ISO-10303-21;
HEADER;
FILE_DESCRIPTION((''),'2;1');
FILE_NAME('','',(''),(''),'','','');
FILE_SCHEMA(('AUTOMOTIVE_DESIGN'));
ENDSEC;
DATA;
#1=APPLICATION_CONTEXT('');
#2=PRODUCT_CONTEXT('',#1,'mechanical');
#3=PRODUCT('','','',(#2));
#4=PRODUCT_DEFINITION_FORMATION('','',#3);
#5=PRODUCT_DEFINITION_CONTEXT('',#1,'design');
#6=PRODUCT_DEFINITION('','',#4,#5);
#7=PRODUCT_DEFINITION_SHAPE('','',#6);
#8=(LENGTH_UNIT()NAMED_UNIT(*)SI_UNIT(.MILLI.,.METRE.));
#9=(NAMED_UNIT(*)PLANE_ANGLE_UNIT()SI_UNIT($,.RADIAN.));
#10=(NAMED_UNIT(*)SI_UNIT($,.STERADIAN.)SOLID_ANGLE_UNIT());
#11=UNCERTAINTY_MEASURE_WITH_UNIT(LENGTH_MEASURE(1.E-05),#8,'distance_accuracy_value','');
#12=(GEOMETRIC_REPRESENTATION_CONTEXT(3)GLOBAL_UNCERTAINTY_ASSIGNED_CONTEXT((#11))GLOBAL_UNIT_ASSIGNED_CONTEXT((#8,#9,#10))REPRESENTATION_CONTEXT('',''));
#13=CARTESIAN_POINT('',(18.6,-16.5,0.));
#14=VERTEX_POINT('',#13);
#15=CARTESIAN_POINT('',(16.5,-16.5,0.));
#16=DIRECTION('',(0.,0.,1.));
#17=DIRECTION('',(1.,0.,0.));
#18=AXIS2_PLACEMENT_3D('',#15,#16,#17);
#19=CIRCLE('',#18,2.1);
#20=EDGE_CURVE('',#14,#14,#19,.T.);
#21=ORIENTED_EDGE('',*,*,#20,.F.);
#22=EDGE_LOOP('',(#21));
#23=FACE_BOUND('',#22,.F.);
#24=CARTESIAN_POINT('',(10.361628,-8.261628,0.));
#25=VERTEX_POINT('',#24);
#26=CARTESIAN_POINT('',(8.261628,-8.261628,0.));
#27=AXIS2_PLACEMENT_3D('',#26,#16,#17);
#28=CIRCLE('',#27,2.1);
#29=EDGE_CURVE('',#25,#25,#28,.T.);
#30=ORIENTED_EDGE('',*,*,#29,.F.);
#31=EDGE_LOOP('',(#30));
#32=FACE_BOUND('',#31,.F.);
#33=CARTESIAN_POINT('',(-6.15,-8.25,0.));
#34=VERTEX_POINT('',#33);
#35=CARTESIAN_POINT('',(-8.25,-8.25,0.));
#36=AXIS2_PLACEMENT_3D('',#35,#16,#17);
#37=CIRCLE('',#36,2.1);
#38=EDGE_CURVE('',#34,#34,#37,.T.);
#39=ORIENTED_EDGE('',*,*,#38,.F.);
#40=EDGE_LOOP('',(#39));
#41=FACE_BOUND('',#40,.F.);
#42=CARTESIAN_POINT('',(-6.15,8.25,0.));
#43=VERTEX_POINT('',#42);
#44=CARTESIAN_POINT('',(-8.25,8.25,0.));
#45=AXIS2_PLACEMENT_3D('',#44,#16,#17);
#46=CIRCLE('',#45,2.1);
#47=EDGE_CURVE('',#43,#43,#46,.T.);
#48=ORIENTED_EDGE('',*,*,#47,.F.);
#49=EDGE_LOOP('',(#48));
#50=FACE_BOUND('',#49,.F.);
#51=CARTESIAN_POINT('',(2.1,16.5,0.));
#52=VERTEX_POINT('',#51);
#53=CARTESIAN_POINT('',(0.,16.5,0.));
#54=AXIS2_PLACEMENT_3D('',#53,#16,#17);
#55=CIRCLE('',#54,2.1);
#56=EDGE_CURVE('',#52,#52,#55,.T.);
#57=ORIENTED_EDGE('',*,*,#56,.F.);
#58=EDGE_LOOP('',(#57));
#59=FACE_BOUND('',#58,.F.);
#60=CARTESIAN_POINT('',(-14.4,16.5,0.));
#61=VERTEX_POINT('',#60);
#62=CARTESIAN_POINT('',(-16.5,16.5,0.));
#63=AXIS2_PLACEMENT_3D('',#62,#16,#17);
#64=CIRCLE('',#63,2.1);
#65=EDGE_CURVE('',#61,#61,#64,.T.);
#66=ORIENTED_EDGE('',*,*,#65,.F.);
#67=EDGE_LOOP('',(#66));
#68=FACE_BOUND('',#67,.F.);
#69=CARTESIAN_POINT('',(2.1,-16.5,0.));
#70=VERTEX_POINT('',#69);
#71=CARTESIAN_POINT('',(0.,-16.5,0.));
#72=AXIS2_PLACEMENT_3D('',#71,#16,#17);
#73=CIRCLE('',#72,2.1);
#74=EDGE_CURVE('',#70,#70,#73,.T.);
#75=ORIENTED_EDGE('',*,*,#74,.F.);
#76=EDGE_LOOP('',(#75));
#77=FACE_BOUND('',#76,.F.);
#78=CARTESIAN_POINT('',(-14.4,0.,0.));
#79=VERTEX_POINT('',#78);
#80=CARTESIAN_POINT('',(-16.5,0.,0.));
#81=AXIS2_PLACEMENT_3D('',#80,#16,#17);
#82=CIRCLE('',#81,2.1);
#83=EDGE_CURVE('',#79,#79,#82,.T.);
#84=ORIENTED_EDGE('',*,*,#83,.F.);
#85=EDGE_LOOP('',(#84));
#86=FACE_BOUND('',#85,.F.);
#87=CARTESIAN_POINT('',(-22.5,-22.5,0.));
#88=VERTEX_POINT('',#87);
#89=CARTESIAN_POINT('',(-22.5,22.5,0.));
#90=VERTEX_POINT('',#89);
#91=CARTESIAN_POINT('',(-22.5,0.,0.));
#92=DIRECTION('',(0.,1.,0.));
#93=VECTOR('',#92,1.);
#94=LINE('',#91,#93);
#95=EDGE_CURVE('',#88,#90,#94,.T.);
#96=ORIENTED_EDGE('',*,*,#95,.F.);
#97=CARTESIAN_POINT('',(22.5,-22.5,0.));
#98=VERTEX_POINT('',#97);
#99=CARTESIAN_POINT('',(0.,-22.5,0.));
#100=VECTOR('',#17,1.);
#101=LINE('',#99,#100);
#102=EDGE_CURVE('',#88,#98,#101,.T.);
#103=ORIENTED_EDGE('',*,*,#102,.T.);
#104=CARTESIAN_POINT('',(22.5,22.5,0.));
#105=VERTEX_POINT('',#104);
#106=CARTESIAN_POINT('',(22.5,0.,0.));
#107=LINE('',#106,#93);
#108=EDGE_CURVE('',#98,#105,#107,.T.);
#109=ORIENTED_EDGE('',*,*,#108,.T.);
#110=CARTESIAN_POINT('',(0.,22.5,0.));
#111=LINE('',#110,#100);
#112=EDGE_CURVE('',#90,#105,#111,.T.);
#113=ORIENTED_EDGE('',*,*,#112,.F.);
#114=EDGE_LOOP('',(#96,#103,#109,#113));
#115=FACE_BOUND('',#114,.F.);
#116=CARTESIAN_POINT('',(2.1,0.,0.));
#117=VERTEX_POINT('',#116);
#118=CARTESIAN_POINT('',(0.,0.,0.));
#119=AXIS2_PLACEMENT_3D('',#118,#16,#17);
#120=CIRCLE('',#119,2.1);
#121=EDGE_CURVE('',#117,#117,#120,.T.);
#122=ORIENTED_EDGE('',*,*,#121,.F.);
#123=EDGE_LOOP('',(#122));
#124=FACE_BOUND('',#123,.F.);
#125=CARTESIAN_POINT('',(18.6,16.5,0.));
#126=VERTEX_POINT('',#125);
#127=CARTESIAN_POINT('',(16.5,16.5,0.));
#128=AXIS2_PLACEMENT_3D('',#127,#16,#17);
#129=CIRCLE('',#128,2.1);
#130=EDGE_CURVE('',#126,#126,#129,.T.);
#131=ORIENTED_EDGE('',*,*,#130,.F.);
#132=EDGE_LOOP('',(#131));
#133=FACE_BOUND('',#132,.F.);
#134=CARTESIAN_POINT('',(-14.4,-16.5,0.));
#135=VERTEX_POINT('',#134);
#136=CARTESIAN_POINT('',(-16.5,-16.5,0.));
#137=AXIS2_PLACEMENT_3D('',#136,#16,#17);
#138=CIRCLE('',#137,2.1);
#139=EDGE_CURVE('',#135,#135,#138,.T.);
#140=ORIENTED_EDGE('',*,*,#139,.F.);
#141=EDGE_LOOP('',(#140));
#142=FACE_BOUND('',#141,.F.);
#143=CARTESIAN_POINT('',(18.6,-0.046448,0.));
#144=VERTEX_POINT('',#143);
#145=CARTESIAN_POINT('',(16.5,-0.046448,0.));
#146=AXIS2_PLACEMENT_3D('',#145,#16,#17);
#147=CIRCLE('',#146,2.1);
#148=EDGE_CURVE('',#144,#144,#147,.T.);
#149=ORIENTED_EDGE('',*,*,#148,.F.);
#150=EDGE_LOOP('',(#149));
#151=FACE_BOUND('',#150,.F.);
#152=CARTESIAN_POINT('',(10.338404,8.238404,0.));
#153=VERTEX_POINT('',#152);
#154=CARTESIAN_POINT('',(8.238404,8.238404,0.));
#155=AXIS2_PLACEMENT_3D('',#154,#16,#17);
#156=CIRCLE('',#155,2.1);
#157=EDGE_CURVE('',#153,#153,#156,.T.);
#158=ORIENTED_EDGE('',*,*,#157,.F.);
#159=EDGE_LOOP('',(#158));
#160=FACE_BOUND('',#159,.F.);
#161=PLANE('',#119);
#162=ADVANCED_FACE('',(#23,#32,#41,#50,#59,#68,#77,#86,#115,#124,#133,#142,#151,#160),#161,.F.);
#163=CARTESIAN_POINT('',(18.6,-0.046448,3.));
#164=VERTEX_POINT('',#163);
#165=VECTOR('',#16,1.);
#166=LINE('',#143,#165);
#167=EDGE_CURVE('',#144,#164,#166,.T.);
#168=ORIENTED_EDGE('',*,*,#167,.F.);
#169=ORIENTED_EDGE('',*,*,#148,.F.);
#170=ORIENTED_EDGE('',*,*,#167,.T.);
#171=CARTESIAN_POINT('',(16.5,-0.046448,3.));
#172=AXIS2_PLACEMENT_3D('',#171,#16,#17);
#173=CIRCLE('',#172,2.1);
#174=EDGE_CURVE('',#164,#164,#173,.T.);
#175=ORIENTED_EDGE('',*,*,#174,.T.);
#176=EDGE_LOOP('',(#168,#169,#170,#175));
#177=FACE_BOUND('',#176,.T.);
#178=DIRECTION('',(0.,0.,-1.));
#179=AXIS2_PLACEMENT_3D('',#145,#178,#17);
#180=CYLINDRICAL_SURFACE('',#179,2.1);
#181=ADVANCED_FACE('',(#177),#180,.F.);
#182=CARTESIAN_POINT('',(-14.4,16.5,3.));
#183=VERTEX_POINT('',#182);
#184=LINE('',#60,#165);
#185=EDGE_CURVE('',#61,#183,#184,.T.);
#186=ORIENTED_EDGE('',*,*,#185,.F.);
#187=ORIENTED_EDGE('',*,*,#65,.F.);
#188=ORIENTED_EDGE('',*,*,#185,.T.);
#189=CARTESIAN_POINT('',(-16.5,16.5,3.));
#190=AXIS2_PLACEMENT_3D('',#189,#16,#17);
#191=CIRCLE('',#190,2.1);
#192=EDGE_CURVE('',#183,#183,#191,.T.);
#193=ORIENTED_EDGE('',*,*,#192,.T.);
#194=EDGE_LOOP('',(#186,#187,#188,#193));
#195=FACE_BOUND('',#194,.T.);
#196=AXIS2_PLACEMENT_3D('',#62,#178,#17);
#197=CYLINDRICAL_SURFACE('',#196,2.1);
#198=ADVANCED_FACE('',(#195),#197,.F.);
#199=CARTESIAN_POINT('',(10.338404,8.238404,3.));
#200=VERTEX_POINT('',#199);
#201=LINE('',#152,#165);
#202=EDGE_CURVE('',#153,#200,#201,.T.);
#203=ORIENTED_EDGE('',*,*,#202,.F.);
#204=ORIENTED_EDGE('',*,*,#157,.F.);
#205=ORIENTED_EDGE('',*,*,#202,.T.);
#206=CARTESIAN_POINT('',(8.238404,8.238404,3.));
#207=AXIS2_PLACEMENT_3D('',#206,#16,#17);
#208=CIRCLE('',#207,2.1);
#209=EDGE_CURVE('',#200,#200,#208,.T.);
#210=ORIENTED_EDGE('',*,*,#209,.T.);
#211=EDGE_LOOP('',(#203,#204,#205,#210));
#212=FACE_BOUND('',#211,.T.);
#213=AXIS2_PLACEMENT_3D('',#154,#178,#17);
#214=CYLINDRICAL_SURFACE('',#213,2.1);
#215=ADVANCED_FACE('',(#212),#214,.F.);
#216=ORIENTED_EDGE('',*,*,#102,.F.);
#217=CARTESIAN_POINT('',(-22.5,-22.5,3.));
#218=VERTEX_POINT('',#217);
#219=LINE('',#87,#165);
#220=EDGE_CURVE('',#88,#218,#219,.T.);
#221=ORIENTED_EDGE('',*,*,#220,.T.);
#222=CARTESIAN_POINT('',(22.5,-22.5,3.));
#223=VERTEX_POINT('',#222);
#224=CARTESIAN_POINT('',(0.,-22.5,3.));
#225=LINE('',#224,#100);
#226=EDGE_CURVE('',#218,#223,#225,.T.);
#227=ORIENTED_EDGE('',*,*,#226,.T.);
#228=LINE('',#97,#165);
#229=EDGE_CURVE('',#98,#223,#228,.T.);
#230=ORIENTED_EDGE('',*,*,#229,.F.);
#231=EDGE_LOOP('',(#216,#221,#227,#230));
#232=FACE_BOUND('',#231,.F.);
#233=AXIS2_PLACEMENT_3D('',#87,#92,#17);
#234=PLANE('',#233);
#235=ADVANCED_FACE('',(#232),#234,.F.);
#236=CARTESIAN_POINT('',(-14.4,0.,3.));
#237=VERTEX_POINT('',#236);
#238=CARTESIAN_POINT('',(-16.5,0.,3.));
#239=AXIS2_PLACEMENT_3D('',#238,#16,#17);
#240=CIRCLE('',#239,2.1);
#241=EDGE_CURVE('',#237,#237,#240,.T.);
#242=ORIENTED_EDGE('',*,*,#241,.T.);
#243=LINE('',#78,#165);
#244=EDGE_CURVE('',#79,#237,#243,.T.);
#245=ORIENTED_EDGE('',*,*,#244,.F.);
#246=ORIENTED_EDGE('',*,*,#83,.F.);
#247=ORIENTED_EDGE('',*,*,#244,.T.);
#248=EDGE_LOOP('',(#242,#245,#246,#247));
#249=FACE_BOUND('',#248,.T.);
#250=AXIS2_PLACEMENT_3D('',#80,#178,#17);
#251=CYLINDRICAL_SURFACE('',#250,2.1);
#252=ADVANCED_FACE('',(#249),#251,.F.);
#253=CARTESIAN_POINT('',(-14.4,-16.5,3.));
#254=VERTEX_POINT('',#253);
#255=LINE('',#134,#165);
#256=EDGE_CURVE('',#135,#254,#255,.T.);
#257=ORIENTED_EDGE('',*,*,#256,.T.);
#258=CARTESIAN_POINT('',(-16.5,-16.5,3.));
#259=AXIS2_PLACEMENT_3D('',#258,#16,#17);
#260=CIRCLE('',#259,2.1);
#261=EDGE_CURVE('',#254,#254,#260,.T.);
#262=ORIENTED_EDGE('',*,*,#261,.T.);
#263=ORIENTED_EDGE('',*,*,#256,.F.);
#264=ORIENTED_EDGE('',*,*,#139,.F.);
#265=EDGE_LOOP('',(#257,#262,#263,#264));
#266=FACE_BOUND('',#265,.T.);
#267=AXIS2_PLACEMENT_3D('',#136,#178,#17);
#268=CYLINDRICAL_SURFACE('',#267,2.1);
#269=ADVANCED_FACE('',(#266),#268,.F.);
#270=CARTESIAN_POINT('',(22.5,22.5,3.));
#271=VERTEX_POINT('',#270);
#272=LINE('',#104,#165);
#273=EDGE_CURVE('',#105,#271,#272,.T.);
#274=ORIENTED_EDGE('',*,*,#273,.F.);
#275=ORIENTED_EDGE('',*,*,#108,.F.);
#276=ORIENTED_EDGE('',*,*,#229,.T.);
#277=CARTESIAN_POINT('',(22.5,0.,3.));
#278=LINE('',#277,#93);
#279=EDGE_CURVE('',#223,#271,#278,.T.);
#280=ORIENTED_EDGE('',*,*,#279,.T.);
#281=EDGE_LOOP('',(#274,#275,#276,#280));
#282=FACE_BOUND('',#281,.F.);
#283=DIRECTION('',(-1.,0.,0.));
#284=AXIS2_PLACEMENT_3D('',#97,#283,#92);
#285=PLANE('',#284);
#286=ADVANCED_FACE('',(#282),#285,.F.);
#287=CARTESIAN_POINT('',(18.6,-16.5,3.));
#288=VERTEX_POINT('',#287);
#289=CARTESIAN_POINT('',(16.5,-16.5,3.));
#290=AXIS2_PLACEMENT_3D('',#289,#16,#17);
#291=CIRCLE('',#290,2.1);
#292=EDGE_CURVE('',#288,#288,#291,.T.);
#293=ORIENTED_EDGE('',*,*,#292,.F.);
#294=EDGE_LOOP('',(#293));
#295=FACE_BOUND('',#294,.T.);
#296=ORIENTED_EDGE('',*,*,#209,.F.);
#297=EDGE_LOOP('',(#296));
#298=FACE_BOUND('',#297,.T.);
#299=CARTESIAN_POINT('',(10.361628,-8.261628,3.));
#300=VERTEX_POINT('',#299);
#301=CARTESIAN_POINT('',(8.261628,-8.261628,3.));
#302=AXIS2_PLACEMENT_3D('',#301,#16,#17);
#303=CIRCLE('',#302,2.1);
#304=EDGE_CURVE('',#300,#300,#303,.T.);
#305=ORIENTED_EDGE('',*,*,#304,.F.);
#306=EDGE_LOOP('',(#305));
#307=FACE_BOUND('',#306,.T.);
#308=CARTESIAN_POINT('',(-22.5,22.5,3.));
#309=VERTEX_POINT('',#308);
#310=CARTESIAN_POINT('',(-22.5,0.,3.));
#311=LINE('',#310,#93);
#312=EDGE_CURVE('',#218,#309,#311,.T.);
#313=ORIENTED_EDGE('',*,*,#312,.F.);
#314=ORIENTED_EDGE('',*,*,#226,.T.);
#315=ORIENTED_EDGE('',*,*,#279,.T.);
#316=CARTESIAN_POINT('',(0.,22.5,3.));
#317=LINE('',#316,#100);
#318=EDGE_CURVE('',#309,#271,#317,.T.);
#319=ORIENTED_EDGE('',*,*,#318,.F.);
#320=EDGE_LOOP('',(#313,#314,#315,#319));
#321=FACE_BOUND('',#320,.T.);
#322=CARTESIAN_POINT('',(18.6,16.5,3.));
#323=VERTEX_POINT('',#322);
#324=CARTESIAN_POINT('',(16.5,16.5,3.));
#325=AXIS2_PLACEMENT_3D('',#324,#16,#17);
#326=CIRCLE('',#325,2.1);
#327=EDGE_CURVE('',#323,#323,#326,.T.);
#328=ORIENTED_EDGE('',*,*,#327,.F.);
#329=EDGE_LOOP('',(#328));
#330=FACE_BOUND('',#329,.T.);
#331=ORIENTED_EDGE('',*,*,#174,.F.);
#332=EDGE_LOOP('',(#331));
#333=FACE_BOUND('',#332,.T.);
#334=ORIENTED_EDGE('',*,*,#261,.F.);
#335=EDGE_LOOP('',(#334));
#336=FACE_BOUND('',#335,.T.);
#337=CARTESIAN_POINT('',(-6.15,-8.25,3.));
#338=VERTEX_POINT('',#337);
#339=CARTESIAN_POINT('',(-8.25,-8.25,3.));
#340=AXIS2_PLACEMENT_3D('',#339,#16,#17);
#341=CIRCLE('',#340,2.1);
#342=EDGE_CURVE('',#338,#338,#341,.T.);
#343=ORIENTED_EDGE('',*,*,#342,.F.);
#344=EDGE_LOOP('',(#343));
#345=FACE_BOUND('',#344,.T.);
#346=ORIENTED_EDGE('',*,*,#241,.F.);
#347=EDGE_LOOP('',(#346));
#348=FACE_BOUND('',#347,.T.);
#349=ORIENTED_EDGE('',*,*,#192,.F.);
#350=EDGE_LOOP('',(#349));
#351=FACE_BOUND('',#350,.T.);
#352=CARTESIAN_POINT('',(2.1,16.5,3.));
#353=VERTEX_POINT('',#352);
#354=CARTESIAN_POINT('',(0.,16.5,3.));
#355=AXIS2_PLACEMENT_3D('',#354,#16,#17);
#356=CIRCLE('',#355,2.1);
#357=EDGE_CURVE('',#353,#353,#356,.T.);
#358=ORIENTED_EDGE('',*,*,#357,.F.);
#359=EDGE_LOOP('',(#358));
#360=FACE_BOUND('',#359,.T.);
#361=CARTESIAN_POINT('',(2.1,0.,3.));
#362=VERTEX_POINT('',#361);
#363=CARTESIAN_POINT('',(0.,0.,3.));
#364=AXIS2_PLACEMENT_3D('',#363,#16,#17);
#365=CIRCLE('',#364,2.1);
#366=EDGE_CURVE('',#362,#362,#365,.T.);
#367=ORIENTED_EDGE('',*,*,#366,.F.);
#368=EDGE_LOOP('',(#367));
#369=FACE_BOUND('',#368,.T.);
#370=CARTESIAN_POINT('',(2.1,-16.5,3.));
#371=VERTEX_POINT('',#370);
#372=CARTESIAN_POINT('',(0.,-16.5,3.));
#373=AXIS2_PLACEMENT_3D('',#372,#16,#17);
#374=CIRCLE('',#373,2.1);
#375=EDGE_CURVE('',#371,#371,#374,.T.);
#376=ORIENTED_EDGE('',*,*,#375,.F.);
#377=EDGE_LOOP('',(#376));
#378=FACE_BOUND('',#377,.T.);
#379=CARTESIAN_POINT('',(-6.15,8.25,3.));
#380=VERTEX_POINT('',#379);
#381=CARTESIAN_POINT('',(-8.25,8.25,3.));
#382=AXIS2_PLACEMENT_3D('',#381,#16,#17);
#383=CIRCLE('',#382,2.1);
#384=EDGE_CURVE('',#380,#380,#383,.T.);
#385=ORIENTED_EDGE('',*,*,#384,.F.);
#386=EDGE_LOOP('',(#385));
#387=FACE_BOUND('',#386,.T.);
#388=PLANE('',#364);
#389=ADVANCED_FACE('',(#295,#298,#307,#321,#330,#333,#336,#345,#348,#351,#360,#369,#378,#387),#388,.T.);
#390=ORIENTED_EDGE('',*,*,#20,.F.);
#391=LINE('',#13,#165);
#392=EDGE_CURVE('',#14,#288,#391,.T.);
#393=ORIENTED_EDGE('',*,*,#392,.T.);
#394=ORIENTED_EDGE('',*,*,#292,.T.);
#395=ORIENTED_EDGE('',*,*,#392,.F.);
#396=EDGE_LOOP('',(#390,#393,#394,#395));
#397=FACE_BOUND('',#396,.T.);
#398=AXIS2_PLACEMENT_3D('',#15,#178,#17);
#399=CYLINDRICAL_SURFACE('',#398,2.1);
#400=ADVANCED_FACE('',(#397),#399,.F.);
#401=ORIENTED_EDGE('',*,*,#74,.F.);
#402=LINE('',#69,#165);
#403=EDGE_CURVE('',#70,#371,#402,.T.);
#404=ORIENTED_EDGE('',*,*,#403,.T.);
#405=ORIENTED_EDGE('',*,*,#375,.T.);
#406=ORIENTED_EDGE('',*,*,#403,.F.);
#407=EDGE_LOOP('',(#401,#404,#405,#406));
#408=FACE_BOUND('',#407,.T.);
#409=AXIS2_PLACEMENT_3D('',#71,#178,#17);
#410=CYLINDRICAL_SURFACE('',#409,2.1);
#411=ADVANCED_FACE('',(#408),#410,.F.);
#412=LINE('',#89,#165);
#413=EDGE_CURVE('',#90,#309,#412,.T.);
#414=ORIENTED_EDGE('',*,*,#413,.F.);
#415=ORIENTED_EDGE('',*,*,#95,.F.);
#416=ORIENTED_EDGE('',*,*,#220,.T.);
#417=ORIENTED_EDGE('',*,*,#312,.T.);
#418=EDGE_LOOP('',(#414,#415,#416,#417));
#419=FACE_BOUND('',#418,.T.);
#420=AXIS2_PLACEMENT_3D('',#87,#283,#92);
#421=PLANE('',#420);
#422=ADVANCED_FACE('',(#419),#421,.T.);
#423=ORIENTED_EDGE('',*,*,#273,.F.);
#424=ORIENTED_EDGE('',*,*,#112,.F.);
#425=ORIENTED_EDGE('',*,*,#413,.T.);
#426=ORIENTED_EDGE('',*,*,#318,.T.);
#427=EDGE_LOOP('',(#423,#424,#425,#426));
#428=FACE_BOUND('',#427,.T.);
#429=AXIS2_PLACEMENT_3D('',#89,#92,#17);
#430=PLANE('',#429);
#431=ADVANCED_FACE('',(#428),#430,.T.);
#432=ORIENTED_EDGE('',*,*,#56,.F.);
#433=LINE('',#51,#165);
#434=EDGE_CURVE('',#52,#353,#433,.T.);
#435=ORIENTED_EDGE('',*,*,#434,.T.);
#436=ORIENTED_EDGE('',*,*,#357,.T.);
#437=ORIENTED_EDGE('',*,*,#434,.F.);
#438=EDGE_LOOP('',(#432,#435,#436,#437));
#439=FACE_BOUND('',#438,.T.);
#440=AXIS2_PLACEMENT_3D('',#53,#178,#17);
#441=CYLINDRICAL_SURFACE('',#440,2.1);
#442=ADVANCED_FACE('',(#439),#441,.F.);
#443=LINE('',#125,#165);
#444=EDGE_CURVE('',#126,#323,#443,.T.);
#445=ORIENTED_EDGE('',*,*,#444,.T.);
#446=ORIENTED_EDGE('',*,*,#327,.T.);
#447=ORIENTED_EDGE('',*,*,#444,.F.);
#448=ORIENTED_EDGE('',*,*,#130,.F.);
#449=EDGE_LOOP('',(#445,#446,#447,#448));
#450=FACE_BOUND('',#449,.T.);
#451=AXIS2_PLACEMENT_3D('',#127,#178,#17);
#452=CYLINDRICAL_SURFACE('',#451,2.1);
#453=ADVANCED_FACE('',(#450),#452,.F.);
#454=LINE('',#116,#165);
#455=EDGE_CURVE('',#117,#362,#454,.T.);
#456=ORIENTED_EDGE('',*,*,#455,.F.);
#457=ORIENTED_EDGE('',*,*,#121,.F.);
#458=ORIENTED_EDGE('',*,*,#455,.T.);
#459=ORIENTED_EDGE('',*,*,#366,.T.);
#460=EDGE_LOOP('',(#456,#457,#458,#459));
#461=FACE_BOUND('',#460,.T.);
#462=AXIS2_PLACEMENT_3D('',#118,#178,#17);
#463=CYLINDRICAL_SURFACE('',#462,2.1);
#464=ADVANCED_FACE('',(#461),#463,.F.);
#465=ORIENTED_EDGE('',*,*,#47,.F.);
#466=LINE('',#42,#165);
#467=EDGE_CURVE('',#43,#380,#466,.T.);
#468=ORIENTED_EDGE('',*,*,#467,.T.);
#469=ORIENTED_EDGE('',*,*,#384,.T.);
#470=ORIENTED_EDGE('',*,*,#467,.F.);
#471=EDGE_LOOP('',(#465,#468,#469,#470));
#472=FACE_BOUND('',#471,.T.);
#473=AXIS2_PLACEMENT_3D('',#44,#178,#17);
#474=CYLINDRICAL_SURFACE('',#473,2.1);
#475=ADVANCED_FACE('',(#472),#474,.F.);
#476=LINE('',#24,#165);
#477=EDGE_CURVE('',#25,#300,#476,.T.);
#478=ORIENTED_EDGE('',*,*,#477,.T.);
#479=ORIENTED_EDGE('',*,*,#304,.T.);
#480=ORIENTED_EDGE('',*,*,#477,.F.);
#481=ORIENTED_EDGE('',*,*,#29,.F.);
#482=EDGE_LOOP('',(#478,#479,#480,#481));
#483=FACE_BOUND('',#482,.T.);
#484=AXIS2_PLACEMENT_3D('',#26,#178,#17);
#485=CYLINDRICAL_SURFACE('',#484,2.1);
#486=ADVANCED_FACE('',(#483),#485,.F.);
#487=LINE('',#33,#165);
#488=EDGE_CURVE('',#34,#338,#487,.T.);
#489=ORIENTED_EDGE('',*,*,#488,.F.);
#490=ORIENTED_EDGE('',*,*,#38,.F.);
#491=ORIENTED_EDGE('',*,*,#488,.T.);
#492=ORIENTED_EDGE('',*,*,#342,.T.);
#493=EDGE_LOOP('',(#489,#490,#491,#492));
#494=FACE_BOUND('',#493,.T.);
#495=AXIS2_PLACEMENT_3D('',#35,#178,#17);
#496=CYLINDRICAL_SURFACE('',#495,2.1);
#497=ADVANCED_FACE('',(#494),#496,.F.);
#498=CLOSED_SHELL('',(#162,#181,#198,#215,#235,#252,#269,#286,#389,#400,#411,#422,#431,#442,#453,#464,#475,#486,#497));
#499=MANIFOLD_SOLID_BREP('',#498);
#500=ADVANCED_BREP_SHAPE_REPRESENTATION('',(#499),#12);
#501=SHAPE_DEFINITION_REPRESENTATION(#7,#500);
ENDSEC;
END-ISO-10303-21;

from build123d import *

# Parameters (mm, degrees)
F0_W     = 45
F0_H     = 45
F0_R     = 2.1
F1_DEPTH = 3


with BuildPart() as f1:
    # F0 (on Top) → F1 (new body)
    with BuildSketch(Plane.XY):
        Rectangle(F0_W, F0_H)
        with Locations((-16.5, -16.5)):
            Circle(F0_R, mode=Mode.SUBTRACT)
        with Locations((-8.25, -8.25)):
            Circle(F0_R, mode=Mode.SUBTRACT)
        with Locations((0, -16.5)):
            Circle(F0_R, mode=Mode.SUBTRACT)
        with Locations((16.5, -16.5)):
            Circle(F0_R, mode=Mode.SUBTRACT)
        with Locations((8.261628, -8.261628)):
            Circle(F0_R, mode=Mode.SUBTRACT)
        with Locations((16.5, -0.046448)):
            Circle(F0_R, mode=Mode.SUBTRACT)
        with Locations((-16.5, 0)):
            Circle(F0_R, mode=Mode.SUBTRACT)
        with Locations((-8.25, 8.25)):
            Circle(F0_R, mode=Mode.SUBTRACT)
        with Locations((-16.5, 16.5)):
            Circle(F0_R, mode=Mode.SUBTRACT)
        Circle(F0_R, mode=Mode.SUBTRACT)
        with Locations((8.238404, 8.238404)):
            Circle(F0_R, mode=Mode.SUBTRACT)
        with Locations((0, 16.5)):
            Circle(F0_R, mode=Mode.SUBTRACT)
        with Locations((16.5, 16.5)):
            Circle(F0_R, mode=Mode.SUBTRACT)
    extrude(amount=F1_DEPTH)


solid = f1.part
